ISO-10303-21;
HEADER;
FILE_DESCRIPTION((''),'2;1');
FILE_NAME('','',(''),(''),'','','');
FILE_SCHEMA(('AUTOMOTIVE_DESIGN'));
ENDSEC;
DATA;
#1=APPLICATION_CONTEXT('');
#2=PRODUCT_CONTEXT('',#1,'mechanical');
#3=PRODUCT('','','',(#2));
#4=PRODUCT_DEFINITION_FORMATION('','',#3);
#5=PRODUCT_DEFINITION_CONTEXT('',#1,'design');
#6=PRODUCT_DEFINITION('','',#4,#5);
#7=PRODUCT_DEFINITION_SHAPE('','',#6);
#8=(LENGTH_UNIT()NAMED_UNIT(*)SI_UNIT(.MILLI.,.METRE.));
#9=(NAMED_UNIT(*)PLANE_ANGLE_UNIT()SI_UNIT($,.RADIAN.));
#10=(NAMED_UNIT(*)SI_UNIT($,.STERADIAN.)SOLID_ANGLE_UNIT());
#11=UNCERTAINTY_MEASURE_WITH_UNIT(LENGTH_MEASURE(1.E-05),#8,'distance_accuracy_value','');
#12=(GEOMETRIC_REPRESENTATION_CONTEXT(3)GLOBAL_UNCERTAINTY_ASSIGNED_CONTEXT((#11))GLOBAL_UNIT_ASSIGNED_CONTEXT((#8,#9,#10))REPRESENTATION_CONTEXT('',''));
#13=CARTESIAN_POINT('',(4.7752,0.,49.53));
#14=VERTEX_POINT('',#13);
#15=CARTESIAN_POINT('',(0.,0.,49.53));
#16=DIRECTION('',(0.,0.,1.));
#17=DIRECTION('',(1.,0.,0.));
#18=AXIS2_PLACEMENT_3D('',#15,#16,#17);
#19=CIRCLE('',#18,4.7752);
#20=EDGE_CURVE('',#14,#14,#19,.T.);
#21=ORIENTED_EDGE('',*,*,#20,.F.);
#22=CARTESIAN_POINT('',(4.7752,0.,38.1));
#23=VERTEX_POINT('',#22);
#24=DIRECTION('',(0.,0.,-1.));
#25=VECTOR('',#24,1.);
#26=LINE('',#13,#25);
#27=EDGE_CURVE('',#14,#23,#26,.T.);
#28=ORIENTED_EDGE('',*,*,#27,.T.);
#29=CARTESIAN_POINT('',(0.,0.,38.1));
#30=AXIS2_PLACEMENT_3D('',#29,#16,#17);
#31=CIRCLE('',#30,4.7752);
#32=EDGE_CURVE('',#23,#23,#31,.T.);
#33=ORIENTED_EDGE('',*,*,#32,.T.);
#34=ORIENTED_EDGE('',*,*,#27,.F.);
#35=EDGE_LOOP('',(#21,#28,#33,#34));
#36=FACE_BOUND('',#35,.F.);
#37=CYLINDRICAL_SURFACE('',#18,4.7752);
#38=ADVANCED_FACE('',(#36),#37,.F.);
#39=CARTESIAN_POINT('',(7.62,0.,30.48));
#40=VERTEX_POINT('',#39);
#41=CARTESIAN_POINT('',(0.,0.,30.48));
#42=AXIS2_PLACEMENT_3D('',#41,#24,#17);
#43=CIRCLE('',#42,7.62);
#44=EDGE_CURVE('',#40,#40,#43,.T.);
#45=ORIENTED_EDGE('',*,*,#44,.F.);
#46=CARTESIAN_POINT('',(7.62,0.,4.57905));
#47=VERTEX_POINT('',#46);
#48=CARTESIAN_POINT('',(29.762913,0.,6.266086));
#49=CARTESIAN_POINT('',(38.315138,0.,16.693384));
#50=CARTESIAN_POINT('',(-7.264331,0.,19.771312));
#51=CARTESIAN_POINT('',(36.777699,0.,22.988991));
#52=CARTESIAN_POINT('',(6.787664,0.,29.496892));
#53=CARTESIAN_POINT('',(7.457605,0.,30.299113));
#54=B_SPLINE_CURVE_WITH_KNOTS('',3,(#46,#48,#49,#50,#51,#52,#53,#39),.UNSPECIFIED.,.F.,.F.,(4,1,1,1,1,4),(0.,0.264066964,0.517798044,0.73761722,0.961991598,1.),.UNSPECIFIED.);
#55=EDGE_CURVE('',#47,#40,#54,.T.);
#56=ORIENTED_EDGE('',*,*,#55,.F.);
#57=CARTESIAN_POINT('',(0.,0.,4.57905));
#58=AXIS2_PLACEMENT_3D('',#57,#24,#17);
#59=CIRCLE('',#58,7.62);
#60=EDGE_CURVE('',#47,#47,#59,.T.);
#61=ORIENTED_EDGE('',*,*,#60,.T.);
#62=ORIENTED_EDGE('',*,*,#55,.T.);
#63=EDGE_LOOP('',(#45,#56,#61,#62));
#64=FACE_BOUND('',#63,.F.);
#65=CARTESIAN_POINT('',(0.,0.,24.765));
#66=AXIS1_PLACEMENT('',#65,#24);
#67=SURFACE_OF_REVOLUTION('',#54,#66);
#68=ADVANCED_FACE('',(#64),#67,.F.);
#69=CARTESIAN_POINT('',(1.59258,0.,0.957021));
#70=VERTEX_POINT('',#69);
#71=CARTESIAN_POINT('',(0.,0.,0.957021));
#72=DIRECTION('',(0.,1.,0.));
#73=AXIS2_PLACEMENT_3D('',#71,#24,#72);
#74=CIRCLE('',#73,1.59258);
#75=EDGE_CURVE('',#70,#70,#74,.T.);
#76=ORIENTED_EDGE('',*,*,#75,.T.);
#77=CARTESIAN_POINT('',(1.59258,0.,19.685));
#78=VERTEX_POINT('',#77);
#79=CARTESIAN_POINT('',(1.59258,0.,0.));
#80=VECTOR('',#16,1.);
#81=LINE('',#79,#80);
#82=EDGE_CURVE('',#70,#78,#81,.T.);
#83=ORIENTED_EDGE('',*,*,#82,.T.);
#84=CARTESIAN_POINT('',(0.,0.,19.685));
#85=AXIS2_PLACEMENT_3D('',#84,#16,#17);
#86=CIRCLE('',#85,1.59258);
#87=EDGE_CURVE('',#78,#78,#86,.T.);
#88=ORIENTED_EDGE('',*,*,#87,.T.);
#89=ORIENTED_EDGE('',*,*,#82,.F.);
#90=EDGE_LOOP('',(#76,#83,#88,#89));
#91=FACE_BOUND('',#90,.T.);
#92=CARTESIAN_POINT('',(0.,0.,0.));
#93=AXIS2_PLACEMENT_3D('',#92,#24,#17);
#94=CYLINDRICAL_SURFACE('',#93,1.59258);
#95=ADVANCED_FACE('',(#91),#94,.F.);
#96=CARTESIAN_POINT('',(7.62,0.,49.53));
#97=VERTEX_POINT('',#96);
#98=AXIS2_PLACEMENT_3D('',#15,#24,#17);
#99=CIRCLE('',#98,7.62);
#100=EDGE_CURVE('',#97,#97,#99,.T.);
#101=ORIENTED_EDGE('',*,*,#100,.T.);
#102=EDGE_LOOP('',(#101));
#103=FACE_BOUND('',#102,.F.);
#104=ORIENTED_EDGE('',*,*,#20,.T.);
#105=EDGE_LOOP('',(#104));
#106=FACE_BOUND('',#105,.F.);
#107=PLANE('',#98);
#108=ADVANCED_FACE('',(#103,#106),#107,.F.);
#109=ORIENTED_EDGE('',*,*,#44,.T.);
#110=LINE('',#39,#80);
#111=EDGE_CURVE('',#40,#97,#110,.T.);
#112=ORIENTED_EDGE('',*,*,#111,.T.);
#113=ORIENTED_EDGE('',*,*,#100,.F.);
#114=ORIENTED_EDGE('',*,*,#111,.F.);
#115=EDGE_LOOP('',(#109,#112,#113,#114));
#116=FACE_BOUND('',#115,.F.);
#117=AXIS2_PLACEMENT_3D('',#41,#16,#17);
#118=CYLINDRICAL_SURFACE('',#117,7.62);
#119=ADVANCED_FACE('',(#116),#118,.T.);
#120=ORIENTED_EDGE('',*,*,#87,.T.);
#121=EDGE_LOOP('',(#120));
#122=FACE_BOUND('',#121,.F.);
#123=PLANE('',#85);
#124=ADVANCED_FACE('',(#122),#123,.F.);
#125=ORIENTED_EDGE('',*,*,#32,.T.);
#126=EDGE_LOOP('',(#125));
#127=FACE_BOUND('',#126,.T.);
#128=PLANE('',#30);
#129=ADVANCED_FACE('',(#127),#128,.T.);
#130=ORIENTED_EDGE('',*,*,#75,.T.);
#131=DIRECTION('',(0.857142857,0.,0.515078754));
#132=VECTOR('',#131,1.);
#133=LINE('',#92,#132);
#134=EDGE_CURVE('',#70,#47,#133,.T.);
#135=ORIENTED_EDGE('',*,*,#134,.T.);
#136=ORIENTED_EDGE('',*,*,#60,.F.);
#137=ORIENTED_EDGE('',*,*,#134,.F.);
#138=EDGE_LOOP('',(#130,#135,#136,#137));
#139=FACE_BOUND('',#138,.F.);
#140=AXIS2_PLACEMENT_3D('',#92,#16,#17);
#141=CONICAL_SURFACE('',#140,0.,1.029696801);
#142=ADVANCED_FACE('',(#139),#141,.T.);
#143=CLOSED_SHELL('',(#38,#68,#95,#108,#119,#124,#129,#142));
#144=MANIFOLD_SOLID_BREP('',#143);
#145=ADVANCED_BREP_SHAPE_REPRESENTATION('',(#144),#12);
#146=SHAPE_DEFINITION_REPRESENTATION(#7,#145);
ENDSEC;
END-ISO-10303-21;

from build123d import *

# Parameters (mm, degrees)
F2_R     = 4.7752
F3_DEPTH = 11.43
F4_R     = 1.59258
F5_DEPTH = 19.685


with BuildPart() as f1:
    # F0 (on Front) → F1 (revolve)
    with BuildSketch(Plane.XZ):
        with BuildLine():
            Line((0, 49.53), (0, 0))
            Line((0, 0), (7.62, 4.5790501198))
            add(Edge.make_bspline(
                [(7.62, 4.5790501198), (29.7629128184, 6.2660863931), (38.3151381872, 16.6933844429), (-7.2643313704, 19.7713115256), (36.777698875, 22.9889912098), (6.7876640157, 29.4968915755), (7.4576054123, 30.2991130403), (7.62, 30.48)],
                knots=[0, 0, 0, 0, 0.264066964, 0.5177980437, 0.7376172199, 0.9619915978, 1, 1, 1, 1], degree=3))
            Line((7.62, 30.48), (7.62, 49.53))
            Line((7.62, 49.53), (0, 49.53))
        make_face()
    revolve(axis=Axis((0, 0, 24.765), (0, 0, -1)))

    # F2 (on face) → F3 (cut)
    with BuildSketch(Plane.XY.offset(49.53)):
        Circle(F2_R)
    extrude(amount=-F3_DEPTH, mode=Mode.SUBTRACT)

    # F4 (on Top) → F5 (cut)
    with BuildSketch(Plane.XY):
        Circle(F4_R)
    extrude(amount=F5_DEPTH, mode=Mode.SUBTRACT)


solid = f1.part
